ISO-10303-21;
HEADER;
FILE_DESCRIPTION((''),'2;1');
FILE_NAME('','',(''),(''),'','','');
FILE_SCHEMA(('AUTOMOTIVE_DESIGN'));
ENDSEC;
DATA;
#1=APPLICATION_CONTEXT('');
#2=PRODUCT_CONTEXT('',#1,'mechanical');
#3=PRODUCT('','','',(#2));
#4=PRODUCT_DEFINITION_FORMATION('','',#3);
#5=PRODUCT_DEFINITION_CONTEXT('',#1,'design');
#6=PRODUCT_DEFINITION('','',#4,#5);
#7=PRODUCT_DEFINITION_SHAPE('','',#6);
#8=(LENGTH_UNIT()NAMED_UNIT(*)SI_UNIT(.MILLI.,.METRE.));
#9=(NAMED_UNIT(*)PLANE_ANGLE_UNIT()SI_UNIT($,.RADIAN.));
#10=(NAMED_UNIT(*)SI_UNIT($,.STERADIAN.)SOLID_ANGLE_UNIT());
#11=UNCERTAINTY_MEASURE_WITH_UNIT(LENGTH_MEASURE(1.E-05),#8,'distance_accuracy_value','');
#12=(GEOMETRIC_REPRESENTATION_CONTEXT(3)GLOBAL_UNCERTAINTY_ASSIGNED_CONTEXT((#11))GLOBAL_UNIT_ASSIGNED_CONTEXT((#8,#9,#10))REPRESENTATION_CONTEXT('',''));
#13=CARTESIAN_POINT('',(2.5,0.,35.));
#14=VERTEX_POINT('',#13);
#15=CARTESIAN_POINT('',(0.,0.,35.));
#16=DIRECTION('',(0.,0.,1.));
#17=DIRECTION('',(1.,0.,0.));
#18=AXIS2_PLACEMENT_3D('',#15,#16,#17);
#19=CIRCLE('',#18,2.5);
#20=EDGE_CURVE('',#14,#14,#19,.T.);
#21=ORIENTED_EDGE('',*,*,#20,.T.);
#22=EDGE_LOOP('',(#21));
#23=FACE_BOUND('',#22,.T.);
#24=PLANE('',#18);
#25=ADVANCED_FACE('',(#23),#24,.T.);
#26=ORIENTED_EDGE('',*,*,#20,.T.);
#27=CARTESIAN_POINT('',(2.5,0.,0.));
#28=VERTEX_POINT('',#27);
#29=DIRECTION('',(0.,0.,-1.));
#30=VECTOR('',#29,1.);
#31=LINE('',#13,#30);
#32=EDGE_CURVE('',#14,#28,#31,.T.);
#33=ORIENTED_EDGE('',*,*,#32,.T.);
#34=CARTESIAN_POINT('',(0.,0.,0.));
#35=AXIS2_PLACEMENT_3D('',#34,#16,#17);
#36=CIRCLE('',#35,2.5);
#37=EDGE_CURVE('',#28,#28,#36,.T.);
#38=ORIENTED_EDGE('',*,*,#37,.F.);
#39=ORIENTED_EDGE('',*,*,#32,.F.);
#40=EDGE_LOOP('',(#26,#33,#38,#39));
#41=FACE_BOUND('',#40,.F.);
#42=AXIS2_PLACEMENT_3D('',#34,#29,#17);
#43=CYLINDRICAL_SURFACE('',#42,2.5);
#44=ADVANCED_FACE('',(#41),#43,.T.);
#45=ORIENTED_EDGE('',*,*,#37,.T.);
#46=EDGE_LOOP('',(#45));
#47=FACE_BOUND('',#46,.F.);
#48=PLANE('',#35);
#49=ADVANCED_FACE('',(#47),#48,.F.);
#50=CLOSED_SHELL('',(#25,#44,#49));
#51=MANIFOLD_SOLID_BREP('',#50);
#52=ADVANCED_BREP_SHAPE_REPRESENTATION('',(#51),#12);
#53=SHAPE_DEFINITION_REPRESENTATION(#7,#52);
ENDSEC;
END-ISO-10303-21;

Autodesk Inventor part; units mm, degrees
ref_plane "YZ Plane" through (0, 0, 0) normal (1, 0, 0) x (0, 1, 0)
ref_plane "XZ Plane" through (0, 0, 0) normal (0, 1, 0) x (-1, 0, 0)
ref_plane "XY Plane" through (0, 0, 0) normal (0, 0, 1) x (1, 0, 0)
sketch "Sketch1" plane through (0, 0, 0) normal (0, 0, 1) x (1, 0, 0)
  circle A0 centre (0, 0) radius 2.5
  dimension "d0" = 5
extrude "Extrusion1" add sketch "Sketch1" along normal blind 6
sketch "Sketch2" plane through (0, 0, 6) normal (0, 0, 1) x (1, 0, 0)
  circle A0 centre (0, 0) radius 2.5
  dimension "d3" = 5
extrude "Extrusion2" add sketch "Sketch2" along normal blind 29
properties part number "1p10 DP3 gear rod"
